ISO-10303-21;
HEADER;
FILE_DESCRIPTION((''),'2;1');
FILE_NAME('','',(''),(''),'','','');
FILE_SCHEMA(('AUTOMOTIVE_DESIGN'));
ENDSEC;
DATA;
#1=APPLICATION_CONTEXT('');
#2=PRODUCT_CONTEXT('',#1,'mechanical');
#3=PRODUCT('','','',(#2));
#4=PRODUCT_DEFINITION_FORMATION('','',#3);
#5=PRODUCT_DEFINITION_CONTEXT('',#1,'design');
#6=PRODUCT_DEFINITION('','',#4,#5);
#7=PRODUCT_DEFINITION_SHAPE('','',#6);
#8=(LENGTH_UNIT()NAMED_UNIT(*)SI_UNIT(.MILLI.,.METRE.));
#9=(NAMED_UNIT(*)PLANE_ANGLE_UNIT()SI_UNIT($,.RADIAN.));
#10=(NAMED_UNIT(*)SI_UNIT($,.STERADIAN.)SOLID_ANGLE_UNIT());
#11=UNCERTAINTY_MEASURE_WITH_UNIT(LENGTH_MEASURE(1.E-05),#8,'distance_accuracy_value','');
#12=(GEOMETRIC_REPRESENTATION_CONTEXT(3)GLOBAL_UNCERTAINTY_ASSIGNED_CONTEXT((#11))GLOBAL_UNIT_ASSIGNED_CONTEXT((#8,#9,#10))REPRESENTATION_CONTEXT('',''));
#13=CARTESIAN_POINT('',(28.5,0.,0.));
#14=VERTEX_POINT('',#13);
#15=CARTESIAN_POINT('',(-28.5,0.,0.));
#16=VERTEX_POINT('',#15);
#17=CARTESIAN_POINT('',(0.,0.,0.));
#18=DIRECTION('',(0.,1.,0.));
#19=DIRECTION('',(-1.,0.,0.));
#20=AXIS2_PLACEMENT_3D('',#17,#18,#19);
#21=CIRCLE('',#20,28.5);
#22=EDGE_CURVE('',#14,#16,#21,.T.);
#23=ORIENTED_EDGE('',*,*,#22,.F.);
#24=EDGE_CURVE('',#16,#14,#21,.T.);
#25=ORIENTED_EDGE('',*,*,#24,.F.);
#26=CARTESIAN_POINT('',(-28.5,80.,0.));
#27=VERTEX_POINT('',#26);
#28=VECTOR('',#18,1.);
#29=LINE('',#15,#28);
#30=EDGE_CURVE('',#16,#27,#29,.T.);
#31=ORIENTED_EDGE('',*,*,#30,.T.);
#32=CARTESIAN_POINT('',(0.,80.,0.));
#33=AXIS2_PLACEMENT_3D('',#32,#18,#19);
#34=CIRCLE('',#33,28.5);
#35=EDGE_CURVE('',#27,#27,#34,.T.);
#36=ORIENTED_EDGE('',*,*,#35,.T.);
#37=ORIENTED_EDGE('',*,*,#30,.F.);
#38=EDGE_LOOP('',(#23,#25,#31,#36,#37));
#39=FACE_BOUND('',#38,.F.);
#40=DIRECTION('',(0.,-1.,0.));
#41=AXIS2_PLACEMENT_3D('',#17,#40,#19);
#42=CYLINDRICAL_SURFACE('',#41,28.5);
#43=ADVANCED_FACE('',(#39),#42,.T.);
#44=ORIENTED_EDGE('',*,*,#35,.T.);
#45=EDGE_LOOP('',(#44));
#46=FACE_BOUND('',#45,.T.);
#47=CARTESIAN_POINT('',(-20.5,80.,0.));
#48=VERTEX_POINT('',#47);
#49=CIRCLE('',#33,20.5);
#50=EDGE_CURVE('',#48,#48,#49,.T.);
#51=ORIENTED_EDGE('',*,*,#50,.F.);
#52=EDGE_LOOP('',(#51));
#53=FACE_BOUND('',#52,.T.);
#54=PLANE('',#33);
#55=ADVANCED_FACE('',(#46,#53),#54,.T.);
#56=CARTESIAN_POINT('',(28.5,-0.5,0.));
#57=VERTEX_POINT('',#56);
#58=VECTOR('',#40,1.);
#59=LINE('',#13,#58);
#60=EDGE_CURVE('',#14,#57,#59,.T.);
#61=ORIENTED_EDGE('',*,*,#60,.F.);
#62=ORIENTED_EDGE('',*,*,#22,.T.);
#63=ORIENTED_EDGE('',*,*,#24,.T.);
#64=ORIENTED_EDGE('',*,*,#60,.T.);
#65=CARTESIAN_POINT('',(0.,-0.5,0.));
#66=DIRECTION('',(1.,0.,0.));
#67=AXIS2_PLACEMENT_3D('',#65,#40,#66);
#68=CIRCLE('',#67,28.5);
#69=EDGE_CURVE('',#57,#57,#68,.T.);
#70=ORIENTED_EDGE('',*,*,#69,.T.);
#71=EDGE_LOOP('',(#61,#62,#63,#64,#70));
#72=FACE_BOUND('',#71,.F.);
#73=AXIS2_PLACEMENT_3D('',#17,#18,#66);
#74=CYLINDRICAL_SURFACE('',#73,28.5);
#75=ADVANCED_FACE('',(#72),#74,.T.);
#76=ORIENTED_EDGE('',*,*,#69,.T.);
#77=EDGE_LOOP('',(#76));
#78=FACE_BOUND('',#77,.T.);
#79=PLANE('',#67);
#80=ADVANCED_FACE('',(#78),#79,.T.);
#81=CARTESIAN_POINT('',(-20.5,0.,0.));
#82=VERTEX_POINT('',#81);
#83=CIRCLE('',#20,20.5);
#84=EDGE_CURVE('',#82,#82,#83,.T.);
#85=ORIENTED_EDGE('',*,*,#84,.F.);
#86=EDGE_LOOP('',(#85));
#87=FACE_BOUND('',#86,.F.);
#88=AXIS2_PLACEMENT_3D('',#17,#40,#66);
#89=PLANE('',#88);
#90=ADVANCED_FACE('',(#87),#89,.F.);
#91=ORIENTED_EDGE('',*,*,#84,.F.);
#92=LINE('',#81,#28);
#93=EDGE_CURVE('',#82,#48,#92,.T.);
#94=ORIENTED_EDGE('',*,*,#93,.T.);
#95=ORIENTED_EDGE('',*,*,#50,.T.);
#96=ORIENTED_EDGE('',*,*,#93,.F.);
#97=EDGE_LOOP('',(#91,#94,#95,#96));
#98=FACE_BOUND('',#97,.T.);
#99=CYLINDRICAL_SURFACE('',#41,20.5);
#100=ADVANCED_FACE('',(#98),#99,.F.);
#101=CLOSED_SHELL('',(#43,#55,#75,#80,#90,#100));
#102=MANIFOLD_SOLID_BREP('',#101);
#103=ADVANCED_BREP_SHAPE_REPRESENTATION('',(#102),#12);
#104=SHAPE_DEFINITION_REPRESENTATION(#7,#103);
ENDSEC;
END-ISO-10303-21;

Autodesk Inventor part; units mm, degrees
ref_plane "YZ Plane" through (0, 0, 0) normal (1, 0, 0) x (0, 1, 0)
ref_plane "XZ Plane" through (0, 0, 0) normal (0, 1, 0) x (-1, 0, 0)
ref_plane "XY Plane" through (0, 0, 0) normal (0, 0, 1) x (1, 0, 0)
sketch "스케치1" plane through (0, 0, 0) normal (0, 1, 0) x (-1, 0, 0)
  circle A0 centre (0, 0) radius 28.5
  circle A1 centre (0, 0) radius 20.5
  dimension "d0" = 57
  dimension "d1" = 8
extrude "돌출1" add sketch "스케치1" along normal blind 80
sketch "스케치2" plane through (0, 0, 0) normal (0, -1, 0) x (1, 0, 0)
  circle A0 centre (0, 0) radius 28.5
  dimension "d6" = 57
extrude "돌출2" add sketch "스케치2" along normal blind 0.5
properties part number "cell"
